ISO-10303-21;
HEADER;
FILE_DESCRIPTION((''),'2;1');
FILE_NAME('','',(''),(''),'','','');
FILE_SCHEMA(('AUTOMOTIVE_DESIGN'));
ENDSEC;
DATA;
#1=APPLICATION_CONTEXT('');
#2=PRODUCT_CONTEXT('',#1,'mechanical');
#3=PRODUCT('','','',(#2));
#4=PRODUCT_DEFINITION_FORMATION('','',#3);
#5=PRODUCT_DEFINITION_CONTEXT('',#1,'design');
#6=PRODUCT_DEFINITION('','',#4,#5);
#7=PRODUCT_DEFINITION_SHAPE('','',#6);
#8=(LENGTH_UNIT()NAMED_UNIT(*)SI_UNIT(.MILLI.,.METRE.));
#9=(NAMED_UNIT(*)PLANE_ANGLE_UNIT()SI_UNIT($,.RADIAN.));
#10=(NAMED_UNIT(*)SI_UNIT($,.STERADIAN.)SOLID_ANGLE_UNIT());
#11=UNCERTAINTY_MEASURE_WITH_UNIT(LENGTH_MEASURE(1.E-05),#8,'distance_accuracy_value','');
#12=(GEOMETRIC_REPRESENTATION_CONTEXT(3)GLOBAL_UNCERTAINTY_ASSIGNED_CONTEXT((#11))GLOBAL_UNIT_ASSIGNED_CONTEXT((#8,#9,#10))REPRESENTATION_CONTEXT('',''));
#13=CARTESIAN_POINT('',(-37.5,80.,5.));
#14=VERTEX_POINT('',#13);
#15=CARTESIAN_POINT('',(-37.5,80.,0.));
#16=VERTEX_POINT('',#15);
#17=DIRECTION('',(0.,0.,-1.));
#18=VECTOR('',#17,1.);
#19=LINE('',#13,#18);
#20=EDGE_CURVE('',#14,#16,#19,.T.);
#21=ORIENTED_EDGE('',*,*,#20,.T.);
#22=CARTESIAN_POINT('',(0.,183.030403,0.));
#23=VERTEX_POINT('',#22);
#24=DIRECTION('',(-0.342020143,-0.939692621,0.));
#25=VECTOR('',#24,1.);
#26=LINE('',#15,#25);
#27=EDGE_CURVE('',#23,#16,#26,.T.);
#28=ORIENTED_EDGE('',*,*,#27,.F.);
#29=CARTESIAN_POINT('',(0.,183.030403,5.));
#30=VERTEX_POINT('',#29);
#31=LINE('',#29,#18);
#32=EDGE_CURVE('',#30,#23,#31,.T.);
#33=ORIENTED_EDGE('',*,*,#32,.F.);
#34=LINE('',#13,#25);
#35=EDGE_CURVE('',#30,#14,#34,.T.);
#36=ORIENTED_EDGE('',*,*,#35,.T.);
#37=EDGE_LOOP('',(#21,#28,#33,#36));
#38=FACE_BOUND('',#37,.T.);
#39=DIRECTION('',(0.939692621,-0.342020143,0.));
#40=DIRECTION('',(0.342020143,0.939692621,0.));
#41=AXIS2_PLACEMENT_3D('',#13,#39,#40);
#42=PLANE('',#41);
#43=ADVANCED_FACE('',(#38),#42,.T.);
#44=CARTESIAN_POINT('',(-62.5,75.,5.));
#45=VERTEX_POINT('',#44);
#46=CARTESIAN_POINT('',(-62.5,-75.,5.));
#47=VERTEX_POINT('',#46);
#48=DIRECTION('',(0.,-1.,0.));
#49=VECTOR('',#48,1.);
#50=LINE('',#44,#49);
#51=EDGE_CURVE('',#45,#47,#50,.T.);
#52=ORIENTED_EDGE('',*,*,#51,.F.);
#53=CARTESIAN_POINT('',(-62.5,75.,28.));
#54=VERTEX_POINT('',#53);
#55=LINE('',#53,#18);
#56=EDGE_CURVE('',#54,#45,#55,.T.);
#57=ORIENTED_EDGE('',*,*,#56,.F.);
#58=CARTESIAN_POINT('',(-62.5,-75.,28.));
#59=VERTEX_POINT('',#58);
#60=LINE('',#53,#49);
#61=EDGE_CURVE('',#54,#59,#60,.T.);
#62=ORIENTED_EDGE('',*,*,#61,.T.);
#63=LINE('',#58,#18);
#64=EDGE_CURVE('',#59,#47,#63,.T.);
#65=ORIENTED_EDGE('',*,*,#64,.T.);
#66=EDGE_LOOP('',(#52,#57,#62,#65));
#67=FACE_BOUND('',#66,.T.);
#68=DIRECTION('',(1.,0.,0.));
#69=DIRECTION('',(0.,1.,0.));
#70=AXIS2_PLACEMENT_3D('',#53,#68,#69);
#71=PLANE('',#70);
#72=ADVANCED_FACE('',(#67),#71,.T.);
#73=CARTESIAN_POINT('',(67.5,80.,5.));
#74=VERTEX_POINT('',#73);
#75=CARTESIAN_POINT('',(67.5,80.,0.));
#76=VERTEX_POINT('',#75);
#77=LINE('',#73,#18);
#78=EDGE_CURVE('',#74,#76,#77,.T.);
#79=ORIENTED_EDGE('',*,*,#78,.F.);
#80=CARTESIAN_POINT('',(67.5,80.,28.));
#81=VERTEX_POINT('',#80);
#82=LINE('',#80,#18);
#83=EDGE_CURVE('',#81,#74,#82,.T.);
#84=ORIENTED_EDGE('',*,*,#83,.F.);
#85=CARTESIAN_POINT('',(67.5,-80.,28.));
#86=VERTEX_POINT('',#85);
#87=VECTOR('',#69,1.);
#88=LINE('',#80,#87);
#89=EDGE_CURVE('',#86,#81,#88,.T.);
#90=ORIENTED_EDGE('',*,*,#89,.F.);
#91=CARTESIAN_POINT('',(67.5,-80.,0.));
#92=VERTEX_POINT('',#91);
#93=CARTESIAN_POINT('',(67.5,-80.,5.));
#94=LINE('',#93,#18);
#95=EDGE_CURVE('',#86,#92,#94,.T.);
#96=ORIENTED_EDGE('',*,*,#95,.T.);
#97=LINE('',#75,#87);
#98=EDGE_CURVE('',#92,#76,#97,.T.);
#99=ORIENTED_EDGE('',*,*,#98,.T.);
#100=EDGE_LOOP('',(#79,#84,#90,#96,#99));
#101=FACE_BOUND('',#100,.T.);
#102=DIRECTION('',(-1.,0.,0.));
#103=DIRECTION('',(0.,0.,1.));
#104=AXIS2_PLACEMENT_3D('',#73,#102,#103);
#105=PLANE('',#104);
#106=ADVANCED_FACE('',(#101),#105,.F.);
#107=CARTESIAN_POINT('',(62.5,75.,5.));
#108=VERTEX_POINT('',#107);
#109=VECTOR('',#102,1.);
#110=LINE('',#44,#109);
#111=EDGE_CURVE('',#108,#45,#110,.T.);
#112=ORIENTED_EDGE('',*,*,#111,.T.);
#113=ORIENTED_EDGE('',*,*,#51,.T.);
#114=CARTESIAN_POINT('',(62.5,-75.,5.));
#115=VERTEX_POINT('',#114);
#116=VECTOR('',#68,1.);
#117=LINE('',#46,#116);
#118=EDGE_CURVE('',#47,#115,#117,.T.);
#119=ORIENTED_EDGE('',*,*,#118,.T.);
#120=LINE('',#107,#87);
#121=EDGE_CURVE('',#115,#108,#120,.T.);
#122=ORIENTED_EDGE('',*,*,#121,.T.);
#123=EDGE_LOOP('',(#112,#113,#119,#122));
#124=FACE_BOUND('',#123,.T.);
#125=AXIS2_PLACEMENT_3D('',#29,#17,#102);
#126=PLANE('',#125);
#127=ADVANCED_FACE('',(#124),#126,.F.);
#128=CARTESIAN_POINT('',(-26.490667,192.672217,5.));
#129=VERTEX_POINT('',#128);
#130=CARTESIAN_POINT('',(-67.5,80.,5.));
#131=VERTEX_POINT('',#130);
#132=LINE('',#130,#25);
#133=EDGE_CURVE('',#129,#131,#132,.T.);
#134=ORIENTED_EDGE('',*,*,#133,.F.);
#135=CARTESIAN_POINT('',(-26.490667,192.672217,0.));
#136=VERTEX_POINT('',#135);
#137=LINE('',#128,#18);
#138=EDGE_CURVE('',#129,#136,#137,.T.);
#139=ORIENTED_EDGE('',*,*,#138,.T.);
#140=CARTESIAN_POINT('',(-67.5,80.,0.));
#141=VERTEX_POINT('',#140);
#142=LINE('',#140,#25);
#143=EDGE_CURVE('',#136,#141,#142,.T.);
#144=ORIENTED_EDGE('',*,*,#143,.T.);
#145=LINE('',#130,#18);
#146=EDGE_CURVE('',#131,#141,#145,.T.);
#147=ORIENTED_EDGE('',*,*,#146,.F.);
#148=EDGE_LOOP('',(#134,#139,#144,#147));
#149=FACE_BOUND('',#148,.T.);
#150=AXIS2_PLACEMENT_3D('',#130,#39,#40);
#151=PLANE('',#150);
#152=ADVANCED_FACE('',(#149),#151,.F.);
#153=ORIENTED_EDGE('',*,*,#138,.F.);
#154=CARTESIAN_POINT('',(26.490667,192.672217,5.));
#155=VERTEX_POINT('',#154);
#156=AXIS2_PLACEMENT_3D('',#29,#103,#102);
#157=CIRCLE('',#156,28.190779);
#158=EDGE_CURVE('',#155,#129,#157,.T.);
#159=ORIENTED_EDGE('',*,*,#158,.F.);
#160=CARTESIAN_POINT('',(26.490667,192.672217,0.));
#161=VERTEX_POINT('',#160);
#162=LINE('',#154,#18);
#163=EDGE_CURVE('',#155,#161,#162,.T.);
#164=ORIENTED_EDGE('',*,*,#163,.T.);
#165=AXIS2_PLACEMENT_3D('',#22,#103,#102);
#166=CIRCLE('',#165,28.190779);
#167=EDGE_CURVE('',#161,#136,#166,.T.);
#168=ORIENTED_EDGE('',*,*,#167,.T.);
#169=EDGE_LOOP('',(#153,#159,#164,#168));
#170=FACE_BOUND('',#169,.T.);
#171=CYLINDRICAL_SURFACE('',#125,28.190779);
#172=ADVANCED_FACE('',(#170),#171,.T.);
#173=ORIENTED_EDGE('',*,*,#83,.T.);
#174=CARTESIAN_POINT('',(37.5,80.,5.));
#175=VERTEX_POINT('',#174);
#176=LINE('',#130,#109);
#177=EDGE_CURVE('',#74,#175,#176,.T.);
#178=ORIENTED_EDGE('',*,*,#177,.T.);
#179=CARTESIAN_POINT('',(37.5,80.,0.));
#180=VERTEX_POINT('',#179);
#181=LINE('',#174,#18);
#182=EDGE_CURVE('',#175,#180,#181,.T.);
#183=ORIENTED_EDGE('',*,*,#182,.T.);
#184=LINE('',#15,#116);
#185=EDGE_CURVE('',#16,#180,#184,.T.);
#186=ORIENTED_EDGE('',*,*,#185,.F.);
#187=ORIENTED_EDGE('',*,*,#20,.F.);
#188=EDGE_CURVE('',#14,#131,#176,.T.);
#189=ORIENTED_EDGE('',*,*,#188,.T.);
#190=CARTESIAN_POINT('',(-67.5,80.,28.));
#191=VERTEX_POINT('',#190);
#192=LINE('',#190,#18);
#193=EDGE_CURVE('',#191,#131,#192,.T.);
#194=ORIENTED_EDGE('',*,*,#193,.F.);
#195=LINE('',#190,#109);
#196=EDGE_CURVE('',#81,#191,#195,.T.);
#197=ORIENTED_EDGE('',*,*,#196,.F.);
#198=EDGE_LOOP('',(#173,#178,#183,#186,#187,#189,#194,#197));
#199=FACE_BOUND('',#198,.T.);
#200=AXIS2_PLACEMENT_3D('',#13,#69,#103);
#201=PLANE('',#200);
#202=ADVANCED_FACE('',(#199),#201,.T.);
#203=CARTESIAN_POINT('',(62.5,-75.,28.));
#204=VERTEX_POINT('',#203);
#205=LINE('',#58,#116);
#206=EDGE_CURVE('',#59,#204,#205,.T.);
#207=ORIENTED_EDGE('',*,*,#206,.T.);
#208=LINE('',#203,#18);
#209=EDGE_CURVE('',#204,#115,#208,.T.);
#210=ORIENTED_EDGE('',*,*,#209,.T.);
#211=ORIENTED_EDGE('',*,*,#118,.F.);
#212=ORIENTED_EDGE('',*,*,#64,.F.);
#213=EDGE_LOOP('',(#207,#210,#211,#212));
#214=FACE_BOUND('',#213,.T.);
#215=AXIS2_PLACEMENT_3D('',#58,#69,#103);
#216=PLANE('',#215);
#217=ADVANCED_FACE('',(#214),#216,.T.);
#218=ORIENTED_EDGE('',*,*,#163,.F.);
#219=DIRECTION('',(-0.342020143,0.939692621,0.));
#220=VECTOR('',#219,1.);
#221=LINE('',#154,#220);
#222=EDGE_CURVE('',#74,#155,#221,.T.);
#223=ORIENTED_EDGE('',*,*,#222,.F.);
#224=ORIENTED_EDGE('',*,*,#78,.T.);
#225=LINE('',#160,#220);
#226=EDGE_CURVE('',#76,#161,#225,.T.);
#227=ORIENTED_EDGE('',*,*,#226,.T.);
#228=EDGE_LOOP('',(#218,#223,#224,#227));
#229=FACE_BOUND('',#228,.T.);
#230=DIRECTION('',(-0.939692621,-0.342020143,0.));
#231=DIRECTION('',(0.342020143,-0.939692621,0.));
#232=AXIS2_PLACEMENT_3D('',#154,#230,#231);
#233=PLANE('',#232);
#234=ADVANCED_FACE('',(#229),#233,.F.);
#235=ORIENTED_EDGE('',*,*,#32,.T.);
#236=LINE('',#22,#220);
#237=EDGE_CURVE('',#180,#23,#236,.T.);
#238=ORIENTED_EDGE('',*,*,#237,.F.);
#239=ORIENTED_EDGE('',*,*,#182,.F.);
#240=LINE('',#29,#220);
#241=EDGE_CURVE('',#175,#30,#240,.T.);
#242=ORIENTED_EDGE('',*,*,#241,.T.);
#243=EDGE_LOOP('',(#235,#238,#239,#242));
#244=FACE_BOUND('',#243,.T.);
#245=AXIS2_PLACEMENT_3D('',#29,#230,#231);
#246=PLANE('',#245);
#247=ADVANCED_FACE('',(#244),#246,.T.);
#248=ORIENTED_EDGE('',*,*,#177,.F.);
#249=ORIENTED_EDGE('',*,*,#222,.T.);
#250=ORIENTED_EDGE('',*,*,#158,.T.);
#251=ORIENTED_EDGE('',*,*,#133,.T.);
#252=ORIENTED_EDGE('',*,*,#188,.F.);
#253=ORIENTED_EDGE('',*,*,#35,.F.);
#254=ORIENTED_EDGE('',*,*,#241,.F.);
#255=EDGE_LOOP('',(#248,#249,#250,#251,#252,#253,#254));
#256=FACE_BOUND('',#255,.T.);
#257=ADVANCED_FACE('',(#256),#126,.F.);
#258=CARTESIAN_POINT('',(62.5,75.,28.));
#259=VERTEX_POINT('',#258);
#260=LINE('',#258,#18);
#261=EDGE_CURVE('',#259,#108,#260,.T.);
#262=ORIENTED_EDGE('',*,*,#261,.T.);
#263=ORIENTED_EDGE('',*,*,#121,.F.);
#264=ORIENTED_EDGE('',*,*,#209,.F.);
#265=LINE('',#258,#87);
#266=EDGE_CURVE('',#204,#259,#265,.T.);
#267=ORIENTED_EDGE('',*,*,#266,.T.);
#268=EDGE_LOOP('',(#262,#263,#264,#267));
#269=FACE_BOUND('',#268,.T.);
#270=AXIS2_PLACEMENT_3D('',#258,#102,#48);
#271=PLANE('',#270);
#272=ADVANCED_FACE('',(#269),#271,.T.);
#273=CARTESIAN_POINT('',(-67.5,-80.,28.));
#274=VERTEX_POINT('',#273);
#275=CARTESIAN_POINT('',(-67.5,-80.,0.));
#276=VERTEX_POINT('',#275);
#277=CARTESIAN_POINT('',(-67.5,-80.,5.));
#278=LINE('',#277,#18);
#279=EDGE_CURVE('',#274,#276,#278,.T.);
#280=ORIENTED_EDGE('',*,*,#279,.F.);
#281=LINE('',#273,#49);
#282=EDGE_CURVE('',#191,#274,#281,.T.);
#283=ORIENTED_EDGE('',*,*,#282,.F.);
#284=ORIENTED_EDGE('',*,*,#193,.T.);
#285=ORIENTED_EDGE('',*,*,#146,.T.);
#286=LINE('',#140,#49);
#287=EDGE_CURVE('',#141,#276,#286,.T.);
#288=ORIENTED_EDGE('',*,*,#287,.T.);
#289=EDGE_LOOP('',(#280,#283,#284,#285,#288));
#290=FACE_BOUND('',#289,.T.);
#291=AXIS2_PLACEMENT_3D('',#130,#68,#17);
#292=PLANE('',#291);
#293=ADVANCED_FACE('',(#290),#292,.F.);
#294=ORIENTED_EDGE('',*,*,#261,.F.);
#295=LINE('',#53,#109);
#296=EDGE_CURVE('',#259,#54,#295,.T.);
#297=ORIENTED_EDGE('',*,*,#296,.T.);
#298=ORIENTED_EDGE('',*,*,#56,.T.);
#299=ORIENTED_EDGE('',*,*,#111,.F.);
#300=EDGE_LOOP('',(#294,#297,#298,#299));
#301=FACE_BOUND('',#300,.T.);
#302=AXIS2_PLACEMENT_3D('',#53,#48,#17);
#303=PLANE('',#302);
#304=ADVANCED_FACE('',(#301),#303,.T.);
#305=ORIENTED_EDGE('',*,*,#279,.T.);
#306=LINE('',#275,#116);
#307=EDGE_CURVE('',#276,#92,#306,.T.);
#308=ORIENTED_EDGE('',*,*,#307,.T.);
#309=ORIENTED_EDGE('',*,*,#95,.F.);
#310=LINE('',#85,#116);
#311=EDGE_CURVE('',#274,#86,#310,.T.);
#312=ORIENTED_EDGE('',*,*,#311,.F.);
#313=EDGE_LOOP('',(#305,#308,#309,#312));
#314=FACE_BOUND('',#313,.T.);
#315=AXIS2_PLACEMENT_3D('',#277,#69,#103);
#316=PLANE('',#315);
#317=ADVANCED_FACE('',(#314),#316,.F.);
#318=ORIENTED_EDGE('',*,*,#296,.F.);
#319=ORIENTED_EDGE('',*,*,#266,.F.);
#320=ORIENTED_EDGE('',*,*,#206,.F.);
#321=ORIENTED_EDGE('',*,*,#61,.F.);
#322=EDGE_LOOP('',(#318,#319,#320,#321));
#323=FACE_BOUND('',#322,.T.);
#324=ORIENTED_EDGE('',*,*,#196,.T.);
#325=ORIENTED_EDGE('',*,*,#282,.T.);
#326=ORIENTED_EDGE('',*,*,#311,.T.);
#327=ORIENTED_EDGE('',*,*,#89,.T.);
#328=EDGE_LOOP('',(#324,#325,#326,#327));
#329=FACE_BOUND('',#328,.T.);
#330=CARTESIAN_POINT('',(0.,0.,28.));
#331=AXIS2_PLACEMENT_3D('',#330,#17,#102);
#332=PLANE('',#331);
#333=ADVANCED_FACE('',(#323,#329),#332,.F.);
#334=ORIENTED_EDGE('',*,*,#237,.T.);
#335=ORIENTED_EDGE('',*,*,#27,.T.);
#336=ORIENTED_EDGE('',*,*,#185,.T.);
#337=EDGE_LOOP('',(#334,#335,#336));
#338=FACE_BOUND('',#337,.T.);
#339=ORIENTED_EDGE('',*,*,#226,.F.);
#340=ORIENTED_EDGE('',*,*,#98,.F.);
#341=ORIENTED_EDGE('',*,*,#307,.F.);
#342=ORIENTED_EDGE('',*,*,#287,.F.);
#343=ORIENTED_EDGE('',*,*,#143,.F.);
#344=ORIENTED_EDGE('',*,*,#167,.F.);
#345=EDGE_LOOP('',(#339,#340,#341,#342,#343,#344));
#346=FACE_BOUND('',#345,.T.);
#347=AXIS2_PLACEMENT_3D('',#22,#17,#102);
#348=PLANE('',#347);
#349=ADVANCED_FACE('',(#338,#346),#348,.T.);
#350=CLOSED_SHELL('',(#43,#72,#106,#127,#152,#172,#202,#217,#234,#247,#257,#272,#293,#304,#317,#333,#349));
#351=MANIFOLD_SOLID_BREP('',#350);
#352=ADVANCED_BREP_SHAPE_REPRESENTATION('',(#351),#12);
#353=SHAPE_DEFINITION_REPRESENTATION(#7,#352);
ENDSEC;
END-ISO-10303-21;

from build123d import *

# Parameters (mm, degrees)
BOSS_EXTRUDE1_DEPTH = 5
SKETCH2_W           = 135
SKETCH2_H           = 160
SKETCH2_W_2         = 125
SKETCH2_H_2         = 150
BOSS_EXTRUDE2_DEPTH = 23


with BuildPart() as part:
    # Sketch1 → Boss-Extrude1 (new body)
    with BuildSketch(Plane.XY):
        with BuildLine():
            Line((-67.5, 80), (-67.5, -80))
            Line((-67.5, -80), (67.5, -80))
            Line((67.5, -80), (67.5, 80))
            Line((67.5, 80), (26.490666647, 192.672217375))
            ThreePointArc((26.490666647, 192.672217375), (0, 211.221181853), (-26.490666647, 192.672217375))
            Line((-26.490666647, 192.672217375), (-67.5, 80))
        make_face()
        Polygon((-37.5, 80), (37.5, 80), (0, 183.03040323), align=None, mode=Mode.SUBTRACT)
    extrude(amount=BOSS_EXTRUDE1_DEPTH)

    # Sketch2 → Boss-Extrude2 (add)
    with BuildSketch(Plane.XY.offset(5)):
        Rectangle(SKETCH2_W, SKETCH2_H)
        Rectangle(SKETCH2_W_2, SKETCH2_H_2, mode=Mode.SUBTRACT)
    extrude(amount=BOSS_EXTRUDE2_DEPTH)


solid = part.part
